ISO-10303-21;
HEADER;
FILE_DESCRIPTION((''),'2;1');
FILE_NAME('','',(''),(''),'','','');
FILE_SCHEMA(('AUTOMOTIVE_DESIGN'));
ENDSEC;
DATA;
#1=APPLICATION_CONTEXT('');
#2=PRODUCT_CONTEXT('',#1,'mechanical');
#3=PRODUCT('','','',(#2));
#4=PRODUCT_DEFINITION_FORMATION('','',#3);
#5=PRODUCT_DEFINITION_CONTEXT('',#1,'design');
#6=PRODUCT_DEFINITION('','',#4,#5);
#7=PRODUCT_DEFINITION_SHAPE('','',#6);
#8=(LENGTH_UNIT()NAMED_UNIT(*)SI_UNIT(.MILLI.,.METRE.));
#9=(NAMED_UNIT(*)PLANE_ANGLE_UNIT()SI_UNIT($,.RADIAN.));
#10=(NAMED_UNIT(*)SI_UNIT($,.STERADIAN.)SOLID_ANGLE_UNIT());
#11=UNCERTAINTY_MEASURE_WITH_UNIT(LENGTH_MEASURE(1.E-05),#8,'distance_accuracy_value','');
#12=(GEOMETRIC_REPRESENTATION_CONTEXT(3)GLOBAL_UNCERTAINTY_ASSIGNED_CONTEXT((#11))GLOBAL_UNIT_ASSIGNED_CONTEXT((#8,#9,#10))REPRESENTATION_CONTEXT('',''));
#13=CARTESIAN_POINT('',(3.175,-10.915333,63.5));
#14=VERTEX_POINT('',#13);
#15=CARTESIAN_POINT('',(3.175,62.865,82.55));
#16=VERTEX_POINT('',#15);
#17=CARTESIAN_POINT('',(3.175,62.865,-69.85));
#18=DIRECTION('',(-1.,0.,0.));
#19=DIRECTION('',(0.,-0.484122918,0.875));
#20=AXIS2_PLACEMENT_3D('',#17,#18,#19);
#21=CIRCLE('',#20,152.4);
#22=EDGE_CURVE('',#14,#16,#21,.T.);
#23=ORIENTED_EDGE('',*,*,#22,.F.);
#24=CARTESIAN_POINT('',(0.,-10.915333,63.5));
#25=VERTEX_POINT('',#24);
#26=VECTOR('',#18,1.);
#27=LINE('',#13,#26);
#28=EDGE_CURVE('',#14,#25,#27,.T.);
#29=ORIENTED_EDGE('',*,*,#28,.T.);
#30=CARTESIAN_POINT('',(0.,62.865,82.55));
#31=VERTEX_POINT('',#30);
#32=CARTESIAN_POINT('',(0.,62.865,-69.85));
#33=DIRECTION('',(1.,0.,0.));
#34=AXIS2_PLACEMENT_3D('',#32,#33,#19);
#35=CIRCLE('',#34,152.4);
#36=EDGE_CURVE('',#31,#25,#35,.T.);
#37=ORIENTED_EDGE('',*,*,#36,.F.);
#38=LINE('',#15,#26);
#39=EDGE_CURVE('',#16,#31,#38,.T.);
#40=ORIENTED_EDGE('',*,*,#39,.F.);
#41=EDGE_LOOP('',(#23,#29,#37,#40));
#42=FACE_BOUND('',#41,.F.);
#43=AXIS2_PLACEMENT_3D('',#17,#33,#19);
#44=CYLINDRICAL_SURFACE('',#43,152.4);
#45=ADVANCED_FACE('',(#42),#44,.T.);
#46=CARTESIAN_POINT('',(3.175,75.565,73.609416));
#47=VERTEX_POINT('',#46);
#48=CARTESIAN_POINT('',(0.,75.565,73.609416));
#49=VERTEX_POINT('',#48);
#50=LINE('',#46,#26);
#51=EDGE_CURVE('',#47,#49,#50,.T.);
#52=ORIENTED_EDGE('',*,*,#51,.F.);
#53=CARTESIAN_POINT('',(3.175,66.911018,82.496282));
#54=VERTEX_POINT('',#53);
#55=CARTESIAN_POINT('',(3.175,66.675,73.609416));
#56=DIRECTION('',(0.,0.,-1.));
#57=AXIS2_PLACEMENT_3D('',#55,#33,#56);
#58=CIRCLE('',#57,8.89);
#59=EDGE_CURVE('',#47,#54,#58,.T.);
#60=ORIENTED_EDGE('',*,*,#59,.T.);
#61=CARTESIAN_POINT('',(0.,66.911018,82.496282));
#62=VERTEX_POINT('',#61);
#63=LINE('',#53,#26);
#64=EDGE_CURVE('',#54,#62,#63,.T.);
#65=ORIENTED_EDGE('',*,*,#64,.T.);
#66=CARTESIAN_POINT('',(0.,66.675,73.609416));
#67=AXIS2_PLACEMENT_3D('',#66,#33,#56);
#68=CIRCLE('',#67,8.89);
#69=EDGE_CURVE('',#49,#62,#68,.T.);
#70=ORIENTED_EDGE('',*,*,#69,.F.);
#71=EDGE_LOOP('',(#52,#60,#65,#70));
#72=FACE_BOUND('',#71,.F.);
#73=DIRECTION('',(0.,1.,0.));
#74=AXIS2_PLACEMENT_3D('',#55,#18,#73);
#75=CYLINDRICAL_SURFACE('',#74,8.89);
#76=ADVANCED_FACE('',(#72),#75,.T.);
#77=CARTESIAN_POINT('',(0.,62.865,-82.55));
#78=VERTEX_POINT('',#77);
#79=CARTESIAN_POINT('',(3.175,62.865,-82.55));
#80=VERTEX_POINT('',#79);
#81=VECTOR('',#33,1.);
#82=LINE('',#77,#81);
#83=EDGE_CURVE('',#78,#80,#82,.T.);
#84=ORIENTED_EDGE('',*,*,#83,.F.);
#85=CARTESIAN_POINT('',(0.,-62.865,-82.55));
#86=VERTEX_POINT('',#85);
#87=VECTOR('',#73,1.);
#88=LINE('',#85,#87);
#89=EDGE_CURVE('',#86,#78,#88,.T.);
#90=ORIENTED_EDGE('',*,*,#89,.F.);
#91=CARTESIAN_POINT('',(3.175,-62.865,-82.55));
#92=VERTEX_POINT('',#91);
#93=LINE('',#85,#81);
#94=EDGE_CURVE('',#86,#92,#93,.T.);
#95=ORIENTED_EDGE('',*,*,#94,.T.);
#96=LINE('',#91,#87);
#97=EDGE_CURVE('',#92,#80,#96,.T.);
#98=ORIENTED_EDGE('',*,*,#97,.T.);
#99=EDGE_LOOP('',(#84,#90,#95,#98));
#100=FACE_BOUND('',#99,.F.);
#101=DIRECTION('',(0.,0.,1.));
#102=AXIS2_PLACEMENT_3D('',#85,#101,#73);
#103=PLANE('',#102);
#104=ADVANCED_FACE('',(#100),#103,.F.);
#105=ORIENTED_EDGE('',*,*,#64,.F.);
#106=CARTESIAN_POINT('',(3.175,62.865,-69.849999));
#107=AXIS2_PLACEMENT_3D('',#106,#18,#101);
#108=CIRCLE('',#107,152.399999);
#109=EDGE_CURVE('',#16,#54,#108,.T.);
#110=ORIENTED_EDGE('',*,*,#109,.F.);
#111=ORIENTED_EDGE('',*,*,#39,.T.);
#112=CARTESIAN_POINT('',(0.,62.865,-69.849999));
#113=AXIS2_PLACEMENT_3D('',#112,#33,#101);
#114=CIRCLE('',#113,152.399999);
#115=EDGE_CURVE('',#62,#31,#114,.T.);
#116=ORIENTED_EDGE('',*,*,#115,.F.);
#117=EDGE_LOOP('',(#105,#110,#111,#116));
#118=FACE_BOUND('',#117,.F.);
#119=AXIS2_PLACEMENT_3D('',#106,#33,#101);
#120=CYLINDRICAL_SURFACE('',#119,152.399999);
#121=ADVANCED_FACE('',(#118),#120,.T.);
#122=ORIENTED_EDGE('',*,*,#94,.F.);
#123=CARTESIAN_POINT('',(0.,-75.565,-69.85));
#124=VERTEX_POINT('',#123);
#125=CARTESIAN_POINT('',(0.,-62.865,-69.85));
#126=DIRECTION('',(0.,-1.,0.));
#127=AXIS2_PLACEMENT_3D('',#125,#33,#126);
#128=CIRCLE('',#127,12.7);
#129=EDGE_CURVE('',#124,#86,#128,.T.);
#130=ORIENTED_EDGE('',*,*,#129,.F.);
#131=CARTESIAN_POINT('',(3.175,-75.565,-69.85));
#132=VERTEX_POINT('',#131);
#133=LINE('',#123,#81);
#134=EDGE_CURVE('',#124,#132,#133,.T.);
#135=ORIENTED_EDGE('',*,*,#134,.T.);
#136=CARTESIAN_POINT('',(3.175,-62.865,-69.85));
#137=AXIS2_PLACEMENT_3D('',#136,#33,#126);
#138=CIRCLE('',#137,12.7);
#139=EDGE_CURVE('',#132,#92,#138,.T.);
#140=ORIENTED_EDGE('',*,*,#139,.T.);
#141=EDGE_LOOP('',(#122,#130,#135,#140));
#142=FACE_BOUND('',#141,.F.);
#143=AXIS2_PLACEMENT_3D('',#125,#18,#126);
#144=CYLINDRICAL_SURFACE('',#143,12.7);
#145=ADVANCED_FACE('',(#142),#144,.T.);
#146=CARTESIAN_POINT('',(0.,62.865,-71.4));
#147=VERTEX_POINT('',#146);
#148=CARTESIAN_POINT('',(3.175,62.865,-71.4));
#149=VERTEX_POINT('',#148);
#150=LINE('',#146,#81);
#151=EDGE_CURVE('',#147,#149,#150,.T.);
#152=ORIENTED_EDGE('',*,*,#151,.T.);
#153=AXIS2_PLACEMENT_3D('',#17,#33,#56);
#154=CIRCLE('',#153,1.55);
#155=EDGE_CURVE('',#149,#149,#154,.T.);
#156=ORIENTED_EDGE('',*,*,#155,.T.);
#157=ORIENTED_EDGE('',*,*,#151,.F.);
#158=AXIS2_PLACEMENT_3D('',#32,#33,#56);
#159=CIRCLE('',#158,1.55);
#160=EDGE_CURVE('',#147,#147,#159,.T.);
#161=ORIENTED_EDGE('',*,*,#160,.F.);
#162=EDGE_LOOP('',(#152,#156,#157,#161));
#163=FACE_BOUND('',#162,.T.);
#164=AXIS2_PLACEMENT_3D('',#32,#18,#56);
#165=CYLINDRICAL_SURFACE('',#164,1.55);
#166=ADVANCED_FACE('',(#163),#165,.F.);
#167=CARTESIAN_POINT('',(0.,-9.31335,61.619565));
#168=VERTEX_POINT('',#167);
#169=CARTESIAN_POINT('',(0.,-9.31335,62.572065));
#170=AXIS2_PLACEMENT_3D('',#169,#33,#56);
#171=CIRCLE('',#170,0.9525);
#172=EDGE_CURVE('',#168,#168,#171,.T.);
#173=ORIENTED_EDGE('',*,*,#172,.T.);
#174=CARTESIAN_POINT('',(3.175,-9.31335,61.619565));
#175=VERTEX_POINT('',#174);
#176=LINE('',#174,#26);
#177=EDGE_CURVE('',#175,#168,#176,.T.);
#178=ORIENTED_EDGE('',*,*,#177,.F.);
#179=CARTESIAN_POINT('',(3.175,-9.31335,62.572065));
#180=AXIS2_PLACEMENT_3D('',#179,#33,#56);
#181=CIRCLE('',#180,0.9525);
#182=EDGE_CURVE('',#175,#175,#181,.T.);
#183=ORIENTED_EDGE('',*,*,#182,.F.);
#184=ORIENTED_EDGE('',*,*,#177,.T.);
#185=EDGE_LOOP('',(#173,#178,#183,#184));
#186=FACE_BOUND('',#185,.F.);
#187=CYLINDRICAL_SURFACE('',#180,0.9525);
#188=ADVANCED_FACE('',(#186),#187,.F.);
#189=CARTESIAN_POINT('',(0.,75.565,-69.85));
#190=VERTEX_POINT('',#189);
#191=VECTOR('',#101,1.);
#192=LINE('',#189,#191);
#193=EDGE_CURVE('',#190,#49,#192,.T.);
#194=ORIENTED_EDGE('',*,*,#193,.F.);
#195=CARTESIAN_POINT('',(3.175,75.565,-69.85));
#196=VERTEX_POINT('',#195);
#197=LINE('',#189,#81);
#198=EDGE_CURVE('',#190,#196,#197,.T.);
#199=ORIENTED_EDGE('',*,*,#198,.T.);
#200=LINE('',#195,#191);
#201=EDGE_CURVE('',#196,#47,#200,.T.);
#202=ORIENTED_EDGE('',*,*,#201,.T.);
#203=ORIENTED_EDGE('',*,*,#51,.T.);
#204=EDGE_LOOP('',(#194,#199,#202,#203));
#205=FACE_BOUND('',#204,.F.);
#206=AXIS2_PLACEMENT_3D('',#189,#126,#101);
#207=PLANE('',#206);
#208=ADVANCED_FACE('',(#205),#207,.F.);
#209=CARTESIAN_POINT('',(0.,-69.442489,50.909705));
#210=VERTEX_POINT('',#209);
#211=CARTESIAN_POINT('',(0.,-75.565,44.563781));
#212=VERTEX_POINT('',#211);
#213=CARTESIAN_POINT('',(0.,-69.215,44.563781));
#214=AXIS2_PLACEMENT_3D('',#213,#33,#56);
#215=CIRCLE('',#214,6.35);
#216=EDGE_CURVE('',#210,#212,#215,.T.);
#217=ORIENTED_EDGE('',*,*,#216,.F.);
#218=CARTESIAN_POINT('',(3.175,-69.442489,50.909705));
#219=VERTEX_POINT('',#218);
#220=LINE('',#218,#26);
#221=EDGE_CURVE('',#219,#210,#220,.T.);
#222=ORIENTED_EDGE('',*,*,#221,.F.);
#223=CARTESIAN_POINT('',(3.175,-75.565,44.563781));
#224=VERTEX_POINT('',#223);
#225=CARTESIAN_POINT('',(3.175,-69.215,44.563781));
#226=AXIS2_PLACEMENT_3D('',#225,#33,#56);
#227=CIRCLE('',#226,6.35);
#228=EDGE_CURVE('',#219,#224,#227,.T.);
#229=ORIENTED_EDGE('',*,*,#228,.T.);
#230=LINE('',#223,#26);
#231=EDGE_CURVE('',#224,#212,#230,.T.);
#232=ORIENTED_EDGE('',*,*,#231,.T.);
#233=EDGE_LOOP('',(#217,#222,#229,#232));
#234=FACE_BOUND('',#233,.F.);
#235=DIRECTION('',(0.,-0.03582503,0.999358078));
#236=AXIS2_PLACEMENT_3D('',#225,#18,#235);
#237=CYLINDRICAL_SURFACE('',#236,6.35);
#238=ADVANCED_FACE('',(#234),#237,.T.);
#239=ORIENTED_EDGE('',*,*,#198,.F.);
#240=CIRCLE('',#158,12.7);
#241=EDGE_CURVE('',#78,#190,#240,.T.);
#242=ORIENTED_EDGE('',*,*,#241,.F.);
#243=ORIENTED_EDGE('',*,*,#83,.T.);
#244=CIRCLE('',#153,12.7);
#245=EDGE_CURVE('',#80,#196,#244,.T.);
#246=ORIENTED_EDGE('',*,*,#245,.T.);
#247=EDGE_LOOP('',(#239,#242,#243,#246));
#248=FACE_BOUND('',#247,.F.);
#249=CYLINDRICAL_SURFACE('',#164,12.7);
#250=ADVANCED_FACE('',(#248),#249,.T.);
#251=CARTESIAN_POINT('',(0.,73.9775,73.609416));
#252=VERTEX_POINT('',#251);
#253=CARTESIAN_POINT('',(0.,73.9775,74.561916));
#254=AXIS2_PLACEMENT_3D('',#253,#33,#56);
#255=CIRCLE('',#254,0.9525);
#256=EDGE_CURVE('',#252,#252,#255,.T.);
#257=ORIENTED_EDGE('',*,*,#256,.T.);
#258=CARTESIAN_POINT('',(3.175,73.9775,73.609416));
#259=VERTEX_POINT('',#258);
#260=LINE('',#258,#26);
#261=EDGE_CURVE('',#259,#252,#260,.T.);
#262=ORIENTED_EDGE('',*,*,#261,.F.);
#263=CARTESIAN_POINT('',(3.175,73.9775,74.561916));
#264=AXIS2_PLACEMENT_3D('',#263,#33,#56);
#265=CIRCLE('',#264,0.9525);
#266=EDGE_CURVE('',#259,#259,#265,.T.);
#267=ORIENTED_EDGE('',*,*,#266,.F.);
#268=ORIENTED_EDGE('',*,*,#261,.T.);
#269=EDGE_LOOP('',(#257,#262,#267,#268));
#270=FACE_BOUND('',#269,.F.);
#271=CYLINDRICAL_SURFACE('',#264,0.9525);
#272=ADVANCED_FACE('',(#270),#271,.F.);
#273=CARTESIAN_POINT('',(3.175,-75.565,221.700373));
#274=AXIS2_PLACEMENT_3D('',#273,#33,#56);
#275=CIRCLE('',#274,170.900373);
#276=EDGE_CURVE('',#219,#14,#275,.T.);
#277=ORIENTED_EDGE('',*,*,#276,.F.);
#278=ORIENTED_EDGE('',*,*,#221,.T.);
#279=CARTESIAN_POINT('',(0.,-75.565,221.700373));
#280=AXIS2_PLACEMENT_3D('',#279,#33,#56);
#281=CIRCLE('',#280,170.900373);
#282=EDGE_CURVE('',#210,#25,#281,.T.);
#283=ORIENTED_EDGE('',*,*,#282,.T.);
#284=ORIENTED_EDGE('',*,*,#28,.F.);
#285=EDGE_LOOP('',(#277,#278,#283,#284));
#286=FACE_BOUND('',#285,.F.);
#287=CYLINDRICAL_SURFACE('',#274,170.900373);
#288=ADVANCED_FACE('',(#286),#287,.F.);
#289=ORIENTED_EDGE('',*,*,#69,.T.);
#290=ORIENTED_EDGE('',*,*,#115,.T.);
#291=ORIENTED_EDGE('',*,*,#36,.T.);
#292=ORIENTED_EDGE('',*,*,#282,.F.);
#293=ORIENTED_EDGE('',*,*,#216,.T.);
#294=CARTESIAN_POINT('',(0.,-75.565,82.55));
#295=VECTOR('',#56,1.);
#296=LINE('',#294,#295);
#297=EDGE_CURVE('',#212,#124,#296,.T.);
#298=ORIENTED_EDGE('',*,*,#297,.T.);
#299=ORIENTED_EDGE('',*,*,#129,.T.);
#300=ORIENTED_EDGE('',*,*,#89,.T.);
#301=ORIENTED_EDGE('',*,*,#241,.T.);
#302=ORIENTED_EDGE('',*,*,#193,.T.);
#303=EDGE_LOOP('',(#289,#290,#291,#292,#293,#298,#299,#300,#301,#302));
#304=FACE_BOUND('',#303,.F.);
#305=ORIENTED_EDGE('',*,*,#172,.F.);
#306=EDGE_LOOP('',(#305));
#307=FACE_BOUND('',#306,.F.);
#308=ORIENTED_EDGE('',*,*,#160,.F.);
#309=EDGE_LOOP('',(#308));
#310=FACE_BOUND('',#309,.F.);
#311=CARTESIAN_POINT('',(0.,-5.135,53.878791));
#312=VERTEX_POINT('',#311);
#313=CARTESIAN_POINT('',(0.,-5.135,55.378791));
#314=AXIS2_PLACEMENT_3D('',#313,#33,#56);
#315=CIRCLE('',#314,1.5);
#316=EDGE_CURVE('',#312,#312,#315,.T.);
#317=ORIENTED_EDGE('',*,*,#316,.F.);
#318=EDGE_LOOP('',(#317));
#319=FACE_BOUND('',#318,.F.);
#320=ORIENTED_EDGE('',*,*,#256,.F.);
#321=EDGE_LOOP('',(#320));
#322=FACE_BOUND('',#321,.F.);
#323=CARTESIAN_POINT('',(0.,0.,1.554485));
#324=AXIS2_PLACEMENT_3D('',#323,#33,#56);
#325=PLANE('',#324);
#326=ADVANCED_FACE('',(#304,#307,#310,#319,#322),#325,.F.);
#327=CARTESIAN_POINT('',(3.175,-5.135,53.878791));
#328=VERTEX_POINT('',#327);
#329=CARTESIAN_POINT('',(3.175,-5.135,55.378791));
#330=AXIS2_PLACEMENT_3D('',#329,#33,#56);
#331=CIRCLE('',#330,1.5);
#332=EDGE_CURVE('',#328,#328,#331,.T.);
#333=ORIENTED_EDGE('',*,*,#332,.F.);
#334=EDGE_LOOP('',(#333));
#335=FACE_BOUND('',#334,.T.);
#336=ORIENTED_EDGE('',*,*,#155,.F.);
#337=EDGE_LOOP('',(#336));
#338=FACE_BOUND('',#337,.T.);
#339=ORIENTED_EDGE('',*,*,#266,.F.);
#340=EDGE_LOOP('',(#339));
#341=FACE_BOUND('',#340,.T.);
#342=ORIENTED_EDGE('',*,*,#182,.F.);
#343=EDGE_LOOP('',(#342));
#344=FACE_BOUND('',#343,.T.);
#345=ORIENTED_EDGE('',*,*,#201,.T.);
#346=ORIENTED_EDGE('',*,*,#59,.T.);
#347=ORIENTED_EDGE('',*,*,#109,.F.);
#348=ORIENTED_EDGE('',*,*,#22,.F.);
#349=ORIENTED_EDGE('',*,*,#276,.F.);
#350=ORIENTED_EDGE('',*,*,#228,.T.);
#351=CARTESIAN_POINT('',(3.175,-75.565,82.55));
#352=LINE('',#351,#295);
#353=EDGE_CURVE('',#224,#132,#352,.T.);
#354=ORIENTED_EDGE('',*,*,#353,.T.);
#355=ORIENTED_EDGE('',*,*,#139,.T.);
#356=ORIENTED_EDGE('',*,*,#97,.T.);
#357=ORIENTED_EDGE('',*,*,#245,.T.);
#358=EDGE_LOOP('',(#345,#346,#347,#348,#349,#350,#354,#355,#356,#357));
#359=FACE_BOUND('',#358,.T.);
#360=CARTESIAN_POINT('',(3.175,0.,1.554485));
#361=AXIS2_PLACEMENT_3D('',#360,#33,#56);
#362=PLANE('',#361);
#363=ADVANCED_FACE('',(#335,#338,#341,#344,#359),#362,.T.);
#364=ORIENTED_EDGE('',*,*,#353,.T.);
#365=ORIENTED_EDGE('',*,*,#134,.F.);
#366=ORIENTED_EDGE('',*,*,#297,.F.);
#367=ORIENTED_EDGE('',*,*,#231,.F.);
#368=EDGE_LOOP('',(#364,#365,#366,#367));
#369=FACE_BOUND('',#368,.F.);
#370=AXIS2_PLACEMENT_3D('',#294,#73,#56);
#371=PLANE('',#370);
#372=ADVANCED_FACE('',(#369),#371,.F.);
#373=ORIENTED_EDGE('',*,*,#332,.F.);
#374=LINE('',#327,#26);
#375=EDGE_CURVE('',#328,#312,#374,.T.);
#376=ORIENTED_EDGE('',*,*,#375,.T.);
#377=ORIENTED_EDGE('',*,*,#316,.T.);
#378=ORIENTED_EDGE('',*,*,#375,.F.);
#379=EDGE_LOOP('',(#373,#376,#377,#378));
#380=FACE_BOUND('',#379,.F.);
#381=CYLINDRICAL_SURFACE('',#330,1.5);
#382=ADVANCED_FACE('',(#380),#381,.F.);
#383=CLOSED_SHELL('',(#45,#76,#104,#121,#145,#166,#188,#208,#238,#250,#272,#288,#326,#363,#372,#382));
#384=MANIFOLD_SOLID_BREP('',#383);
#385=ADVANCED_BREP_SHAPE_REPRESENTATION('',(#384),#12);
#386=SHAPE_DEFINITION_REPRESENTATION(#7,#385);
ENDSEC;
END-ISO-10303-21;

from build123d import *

# Parameters (mm, degrees)
SKETCH1_R           = 1.55
BOSS_EXTRUDE1_DEPTH = 3.175
CUT_EXTRUDE1_DEPTH  = 4.175
FILLET1_R           = 8.89
SKETCH3_R           = 1.5
CUT_EXTRUDE2_DEPTH  = 4.175
SKETCH4_R           = 0.9525
CUT_EXTRUDE3_DEPTH  = 4.175
FILLET2_R           = 6.35


with BuildPart() as part:
    # Sketch1 → Boss-Extrude1 (new body)
    with BuildSketch(Plane(origin=(0, 0, 0), x_dir=(0, 0, -1), z_dir=(1, 0, 0))):
        with BuildLine():
            Line((69.85, 75.565), (-82.55, 75.565))
            Line((-82.55, 75.565), (-82.55, -75.565))
            Line((-82.55, -75.565), (69.85, -75.565))
            ThreePointArc((69.85, -75.565), (78.830256121, -71.845256121), (82.55, -62.865))
            Line((82.55, -62.865), (82.55, 62.865))
            ThreePointArc((82.55, 62.865), (78.830256121, 71.845256121), (69.85, 75.565))
        make_face()
        with Locations((69.85, 62.865)):
            Circle(SKETCH1_R, mode=Mode.SUBTRACT)
    extrude(amount=BOSS_EXTRUDE1_DEPTH)

    # Sketch2 → Cut-Extrude1 (cut, through all)
    with BuildSketch(Plane(origin=(3.175, 0, 0), x_dir=(0, 0, -1), z_dir=(1, 0, 0))):
        with BuildLine():
            Line((-63.5, -10.915332745), (-63.5, -75.565))
            Line((-63.5, -75.565), (-50.8, -75.565))
            ThreePointArc((-50.8, -75.565), (-54.005053677, -42.622362446), (-63.5, -10.915332745))
        make_face()
        with BuildLine():
            Line((-82.55, 75.565), (-82.55, 62.865))
            ThreePointArc((-82.55, 62.865), (-82.417420191, 69.220528969), (-82.019911437, 75.565))
            Line((-82.019911437, 75.565), (-82.55, 75.565))
        make_face()
        with BuildLine():
            Line((-82.55, -75.565), (-63.5, -75.565))
            Line((-63.5, -75.565), (-63.5, -10.915332745))
            ThreePointArc((-63.5, -10.915332745), (-77.710665491, 24.765), (-82.55, 62.865))
            Line((-82.55, 62.865), (-82.55, -75.565))
        make_face()
    extrude(amount=-CUT_EXTRUDE1_DEPTH, mode=Mode.SUBTRACT)

    # Fillet1
    fillet1_edges = [part.edges().sort_by_distance(p)[0] for p in [
        (1.5875, 75.565, 82.019911437),
    ]]
    fillet(fillet1_edges, radius=FILLET1_R)

    # Sketch3 → Cut-Extrude2 (cut, through all)
    with BuildSketch(Plane(origin=(3.175, 0, 0), x_dir=(0, 0, -1), z_dir=(1, 0, 0))):
        with Locations((-55.378790619, -5.135)):
            Circle(SKETCH3_R)
    extrude(amount=-CUT_EXTRUDE2_DEPTH, mode=Mode.SUBTRACT)

    # Sketch4 → Cut-Extrude3 (cut, through all)
    with BuildSketch(Plane(origin=(3.175, 0, 0), x_dir=(0, 0, -1), z_dir=(1, 0, 0))):
        with Locations((-74.561915864, 73.9775)):
            Circle(SKETCH4_R)
        with Locations((-62.57206458, -9.313350112)):
            Circle(SKETCH4_R)
    extrude(amount=-CUT_EXTRUDE3_DEPTH, mode=Mode.SUBTRACT)

    # Fillet2
    fillet2_edges = [part.edges().sort_by_distance(p)[0] for p in [
        (1.5875, -75.565, 50.8),
    ]]
    fillet(fillet2_edges, radius=FILLET2_R)


solid = part.part
